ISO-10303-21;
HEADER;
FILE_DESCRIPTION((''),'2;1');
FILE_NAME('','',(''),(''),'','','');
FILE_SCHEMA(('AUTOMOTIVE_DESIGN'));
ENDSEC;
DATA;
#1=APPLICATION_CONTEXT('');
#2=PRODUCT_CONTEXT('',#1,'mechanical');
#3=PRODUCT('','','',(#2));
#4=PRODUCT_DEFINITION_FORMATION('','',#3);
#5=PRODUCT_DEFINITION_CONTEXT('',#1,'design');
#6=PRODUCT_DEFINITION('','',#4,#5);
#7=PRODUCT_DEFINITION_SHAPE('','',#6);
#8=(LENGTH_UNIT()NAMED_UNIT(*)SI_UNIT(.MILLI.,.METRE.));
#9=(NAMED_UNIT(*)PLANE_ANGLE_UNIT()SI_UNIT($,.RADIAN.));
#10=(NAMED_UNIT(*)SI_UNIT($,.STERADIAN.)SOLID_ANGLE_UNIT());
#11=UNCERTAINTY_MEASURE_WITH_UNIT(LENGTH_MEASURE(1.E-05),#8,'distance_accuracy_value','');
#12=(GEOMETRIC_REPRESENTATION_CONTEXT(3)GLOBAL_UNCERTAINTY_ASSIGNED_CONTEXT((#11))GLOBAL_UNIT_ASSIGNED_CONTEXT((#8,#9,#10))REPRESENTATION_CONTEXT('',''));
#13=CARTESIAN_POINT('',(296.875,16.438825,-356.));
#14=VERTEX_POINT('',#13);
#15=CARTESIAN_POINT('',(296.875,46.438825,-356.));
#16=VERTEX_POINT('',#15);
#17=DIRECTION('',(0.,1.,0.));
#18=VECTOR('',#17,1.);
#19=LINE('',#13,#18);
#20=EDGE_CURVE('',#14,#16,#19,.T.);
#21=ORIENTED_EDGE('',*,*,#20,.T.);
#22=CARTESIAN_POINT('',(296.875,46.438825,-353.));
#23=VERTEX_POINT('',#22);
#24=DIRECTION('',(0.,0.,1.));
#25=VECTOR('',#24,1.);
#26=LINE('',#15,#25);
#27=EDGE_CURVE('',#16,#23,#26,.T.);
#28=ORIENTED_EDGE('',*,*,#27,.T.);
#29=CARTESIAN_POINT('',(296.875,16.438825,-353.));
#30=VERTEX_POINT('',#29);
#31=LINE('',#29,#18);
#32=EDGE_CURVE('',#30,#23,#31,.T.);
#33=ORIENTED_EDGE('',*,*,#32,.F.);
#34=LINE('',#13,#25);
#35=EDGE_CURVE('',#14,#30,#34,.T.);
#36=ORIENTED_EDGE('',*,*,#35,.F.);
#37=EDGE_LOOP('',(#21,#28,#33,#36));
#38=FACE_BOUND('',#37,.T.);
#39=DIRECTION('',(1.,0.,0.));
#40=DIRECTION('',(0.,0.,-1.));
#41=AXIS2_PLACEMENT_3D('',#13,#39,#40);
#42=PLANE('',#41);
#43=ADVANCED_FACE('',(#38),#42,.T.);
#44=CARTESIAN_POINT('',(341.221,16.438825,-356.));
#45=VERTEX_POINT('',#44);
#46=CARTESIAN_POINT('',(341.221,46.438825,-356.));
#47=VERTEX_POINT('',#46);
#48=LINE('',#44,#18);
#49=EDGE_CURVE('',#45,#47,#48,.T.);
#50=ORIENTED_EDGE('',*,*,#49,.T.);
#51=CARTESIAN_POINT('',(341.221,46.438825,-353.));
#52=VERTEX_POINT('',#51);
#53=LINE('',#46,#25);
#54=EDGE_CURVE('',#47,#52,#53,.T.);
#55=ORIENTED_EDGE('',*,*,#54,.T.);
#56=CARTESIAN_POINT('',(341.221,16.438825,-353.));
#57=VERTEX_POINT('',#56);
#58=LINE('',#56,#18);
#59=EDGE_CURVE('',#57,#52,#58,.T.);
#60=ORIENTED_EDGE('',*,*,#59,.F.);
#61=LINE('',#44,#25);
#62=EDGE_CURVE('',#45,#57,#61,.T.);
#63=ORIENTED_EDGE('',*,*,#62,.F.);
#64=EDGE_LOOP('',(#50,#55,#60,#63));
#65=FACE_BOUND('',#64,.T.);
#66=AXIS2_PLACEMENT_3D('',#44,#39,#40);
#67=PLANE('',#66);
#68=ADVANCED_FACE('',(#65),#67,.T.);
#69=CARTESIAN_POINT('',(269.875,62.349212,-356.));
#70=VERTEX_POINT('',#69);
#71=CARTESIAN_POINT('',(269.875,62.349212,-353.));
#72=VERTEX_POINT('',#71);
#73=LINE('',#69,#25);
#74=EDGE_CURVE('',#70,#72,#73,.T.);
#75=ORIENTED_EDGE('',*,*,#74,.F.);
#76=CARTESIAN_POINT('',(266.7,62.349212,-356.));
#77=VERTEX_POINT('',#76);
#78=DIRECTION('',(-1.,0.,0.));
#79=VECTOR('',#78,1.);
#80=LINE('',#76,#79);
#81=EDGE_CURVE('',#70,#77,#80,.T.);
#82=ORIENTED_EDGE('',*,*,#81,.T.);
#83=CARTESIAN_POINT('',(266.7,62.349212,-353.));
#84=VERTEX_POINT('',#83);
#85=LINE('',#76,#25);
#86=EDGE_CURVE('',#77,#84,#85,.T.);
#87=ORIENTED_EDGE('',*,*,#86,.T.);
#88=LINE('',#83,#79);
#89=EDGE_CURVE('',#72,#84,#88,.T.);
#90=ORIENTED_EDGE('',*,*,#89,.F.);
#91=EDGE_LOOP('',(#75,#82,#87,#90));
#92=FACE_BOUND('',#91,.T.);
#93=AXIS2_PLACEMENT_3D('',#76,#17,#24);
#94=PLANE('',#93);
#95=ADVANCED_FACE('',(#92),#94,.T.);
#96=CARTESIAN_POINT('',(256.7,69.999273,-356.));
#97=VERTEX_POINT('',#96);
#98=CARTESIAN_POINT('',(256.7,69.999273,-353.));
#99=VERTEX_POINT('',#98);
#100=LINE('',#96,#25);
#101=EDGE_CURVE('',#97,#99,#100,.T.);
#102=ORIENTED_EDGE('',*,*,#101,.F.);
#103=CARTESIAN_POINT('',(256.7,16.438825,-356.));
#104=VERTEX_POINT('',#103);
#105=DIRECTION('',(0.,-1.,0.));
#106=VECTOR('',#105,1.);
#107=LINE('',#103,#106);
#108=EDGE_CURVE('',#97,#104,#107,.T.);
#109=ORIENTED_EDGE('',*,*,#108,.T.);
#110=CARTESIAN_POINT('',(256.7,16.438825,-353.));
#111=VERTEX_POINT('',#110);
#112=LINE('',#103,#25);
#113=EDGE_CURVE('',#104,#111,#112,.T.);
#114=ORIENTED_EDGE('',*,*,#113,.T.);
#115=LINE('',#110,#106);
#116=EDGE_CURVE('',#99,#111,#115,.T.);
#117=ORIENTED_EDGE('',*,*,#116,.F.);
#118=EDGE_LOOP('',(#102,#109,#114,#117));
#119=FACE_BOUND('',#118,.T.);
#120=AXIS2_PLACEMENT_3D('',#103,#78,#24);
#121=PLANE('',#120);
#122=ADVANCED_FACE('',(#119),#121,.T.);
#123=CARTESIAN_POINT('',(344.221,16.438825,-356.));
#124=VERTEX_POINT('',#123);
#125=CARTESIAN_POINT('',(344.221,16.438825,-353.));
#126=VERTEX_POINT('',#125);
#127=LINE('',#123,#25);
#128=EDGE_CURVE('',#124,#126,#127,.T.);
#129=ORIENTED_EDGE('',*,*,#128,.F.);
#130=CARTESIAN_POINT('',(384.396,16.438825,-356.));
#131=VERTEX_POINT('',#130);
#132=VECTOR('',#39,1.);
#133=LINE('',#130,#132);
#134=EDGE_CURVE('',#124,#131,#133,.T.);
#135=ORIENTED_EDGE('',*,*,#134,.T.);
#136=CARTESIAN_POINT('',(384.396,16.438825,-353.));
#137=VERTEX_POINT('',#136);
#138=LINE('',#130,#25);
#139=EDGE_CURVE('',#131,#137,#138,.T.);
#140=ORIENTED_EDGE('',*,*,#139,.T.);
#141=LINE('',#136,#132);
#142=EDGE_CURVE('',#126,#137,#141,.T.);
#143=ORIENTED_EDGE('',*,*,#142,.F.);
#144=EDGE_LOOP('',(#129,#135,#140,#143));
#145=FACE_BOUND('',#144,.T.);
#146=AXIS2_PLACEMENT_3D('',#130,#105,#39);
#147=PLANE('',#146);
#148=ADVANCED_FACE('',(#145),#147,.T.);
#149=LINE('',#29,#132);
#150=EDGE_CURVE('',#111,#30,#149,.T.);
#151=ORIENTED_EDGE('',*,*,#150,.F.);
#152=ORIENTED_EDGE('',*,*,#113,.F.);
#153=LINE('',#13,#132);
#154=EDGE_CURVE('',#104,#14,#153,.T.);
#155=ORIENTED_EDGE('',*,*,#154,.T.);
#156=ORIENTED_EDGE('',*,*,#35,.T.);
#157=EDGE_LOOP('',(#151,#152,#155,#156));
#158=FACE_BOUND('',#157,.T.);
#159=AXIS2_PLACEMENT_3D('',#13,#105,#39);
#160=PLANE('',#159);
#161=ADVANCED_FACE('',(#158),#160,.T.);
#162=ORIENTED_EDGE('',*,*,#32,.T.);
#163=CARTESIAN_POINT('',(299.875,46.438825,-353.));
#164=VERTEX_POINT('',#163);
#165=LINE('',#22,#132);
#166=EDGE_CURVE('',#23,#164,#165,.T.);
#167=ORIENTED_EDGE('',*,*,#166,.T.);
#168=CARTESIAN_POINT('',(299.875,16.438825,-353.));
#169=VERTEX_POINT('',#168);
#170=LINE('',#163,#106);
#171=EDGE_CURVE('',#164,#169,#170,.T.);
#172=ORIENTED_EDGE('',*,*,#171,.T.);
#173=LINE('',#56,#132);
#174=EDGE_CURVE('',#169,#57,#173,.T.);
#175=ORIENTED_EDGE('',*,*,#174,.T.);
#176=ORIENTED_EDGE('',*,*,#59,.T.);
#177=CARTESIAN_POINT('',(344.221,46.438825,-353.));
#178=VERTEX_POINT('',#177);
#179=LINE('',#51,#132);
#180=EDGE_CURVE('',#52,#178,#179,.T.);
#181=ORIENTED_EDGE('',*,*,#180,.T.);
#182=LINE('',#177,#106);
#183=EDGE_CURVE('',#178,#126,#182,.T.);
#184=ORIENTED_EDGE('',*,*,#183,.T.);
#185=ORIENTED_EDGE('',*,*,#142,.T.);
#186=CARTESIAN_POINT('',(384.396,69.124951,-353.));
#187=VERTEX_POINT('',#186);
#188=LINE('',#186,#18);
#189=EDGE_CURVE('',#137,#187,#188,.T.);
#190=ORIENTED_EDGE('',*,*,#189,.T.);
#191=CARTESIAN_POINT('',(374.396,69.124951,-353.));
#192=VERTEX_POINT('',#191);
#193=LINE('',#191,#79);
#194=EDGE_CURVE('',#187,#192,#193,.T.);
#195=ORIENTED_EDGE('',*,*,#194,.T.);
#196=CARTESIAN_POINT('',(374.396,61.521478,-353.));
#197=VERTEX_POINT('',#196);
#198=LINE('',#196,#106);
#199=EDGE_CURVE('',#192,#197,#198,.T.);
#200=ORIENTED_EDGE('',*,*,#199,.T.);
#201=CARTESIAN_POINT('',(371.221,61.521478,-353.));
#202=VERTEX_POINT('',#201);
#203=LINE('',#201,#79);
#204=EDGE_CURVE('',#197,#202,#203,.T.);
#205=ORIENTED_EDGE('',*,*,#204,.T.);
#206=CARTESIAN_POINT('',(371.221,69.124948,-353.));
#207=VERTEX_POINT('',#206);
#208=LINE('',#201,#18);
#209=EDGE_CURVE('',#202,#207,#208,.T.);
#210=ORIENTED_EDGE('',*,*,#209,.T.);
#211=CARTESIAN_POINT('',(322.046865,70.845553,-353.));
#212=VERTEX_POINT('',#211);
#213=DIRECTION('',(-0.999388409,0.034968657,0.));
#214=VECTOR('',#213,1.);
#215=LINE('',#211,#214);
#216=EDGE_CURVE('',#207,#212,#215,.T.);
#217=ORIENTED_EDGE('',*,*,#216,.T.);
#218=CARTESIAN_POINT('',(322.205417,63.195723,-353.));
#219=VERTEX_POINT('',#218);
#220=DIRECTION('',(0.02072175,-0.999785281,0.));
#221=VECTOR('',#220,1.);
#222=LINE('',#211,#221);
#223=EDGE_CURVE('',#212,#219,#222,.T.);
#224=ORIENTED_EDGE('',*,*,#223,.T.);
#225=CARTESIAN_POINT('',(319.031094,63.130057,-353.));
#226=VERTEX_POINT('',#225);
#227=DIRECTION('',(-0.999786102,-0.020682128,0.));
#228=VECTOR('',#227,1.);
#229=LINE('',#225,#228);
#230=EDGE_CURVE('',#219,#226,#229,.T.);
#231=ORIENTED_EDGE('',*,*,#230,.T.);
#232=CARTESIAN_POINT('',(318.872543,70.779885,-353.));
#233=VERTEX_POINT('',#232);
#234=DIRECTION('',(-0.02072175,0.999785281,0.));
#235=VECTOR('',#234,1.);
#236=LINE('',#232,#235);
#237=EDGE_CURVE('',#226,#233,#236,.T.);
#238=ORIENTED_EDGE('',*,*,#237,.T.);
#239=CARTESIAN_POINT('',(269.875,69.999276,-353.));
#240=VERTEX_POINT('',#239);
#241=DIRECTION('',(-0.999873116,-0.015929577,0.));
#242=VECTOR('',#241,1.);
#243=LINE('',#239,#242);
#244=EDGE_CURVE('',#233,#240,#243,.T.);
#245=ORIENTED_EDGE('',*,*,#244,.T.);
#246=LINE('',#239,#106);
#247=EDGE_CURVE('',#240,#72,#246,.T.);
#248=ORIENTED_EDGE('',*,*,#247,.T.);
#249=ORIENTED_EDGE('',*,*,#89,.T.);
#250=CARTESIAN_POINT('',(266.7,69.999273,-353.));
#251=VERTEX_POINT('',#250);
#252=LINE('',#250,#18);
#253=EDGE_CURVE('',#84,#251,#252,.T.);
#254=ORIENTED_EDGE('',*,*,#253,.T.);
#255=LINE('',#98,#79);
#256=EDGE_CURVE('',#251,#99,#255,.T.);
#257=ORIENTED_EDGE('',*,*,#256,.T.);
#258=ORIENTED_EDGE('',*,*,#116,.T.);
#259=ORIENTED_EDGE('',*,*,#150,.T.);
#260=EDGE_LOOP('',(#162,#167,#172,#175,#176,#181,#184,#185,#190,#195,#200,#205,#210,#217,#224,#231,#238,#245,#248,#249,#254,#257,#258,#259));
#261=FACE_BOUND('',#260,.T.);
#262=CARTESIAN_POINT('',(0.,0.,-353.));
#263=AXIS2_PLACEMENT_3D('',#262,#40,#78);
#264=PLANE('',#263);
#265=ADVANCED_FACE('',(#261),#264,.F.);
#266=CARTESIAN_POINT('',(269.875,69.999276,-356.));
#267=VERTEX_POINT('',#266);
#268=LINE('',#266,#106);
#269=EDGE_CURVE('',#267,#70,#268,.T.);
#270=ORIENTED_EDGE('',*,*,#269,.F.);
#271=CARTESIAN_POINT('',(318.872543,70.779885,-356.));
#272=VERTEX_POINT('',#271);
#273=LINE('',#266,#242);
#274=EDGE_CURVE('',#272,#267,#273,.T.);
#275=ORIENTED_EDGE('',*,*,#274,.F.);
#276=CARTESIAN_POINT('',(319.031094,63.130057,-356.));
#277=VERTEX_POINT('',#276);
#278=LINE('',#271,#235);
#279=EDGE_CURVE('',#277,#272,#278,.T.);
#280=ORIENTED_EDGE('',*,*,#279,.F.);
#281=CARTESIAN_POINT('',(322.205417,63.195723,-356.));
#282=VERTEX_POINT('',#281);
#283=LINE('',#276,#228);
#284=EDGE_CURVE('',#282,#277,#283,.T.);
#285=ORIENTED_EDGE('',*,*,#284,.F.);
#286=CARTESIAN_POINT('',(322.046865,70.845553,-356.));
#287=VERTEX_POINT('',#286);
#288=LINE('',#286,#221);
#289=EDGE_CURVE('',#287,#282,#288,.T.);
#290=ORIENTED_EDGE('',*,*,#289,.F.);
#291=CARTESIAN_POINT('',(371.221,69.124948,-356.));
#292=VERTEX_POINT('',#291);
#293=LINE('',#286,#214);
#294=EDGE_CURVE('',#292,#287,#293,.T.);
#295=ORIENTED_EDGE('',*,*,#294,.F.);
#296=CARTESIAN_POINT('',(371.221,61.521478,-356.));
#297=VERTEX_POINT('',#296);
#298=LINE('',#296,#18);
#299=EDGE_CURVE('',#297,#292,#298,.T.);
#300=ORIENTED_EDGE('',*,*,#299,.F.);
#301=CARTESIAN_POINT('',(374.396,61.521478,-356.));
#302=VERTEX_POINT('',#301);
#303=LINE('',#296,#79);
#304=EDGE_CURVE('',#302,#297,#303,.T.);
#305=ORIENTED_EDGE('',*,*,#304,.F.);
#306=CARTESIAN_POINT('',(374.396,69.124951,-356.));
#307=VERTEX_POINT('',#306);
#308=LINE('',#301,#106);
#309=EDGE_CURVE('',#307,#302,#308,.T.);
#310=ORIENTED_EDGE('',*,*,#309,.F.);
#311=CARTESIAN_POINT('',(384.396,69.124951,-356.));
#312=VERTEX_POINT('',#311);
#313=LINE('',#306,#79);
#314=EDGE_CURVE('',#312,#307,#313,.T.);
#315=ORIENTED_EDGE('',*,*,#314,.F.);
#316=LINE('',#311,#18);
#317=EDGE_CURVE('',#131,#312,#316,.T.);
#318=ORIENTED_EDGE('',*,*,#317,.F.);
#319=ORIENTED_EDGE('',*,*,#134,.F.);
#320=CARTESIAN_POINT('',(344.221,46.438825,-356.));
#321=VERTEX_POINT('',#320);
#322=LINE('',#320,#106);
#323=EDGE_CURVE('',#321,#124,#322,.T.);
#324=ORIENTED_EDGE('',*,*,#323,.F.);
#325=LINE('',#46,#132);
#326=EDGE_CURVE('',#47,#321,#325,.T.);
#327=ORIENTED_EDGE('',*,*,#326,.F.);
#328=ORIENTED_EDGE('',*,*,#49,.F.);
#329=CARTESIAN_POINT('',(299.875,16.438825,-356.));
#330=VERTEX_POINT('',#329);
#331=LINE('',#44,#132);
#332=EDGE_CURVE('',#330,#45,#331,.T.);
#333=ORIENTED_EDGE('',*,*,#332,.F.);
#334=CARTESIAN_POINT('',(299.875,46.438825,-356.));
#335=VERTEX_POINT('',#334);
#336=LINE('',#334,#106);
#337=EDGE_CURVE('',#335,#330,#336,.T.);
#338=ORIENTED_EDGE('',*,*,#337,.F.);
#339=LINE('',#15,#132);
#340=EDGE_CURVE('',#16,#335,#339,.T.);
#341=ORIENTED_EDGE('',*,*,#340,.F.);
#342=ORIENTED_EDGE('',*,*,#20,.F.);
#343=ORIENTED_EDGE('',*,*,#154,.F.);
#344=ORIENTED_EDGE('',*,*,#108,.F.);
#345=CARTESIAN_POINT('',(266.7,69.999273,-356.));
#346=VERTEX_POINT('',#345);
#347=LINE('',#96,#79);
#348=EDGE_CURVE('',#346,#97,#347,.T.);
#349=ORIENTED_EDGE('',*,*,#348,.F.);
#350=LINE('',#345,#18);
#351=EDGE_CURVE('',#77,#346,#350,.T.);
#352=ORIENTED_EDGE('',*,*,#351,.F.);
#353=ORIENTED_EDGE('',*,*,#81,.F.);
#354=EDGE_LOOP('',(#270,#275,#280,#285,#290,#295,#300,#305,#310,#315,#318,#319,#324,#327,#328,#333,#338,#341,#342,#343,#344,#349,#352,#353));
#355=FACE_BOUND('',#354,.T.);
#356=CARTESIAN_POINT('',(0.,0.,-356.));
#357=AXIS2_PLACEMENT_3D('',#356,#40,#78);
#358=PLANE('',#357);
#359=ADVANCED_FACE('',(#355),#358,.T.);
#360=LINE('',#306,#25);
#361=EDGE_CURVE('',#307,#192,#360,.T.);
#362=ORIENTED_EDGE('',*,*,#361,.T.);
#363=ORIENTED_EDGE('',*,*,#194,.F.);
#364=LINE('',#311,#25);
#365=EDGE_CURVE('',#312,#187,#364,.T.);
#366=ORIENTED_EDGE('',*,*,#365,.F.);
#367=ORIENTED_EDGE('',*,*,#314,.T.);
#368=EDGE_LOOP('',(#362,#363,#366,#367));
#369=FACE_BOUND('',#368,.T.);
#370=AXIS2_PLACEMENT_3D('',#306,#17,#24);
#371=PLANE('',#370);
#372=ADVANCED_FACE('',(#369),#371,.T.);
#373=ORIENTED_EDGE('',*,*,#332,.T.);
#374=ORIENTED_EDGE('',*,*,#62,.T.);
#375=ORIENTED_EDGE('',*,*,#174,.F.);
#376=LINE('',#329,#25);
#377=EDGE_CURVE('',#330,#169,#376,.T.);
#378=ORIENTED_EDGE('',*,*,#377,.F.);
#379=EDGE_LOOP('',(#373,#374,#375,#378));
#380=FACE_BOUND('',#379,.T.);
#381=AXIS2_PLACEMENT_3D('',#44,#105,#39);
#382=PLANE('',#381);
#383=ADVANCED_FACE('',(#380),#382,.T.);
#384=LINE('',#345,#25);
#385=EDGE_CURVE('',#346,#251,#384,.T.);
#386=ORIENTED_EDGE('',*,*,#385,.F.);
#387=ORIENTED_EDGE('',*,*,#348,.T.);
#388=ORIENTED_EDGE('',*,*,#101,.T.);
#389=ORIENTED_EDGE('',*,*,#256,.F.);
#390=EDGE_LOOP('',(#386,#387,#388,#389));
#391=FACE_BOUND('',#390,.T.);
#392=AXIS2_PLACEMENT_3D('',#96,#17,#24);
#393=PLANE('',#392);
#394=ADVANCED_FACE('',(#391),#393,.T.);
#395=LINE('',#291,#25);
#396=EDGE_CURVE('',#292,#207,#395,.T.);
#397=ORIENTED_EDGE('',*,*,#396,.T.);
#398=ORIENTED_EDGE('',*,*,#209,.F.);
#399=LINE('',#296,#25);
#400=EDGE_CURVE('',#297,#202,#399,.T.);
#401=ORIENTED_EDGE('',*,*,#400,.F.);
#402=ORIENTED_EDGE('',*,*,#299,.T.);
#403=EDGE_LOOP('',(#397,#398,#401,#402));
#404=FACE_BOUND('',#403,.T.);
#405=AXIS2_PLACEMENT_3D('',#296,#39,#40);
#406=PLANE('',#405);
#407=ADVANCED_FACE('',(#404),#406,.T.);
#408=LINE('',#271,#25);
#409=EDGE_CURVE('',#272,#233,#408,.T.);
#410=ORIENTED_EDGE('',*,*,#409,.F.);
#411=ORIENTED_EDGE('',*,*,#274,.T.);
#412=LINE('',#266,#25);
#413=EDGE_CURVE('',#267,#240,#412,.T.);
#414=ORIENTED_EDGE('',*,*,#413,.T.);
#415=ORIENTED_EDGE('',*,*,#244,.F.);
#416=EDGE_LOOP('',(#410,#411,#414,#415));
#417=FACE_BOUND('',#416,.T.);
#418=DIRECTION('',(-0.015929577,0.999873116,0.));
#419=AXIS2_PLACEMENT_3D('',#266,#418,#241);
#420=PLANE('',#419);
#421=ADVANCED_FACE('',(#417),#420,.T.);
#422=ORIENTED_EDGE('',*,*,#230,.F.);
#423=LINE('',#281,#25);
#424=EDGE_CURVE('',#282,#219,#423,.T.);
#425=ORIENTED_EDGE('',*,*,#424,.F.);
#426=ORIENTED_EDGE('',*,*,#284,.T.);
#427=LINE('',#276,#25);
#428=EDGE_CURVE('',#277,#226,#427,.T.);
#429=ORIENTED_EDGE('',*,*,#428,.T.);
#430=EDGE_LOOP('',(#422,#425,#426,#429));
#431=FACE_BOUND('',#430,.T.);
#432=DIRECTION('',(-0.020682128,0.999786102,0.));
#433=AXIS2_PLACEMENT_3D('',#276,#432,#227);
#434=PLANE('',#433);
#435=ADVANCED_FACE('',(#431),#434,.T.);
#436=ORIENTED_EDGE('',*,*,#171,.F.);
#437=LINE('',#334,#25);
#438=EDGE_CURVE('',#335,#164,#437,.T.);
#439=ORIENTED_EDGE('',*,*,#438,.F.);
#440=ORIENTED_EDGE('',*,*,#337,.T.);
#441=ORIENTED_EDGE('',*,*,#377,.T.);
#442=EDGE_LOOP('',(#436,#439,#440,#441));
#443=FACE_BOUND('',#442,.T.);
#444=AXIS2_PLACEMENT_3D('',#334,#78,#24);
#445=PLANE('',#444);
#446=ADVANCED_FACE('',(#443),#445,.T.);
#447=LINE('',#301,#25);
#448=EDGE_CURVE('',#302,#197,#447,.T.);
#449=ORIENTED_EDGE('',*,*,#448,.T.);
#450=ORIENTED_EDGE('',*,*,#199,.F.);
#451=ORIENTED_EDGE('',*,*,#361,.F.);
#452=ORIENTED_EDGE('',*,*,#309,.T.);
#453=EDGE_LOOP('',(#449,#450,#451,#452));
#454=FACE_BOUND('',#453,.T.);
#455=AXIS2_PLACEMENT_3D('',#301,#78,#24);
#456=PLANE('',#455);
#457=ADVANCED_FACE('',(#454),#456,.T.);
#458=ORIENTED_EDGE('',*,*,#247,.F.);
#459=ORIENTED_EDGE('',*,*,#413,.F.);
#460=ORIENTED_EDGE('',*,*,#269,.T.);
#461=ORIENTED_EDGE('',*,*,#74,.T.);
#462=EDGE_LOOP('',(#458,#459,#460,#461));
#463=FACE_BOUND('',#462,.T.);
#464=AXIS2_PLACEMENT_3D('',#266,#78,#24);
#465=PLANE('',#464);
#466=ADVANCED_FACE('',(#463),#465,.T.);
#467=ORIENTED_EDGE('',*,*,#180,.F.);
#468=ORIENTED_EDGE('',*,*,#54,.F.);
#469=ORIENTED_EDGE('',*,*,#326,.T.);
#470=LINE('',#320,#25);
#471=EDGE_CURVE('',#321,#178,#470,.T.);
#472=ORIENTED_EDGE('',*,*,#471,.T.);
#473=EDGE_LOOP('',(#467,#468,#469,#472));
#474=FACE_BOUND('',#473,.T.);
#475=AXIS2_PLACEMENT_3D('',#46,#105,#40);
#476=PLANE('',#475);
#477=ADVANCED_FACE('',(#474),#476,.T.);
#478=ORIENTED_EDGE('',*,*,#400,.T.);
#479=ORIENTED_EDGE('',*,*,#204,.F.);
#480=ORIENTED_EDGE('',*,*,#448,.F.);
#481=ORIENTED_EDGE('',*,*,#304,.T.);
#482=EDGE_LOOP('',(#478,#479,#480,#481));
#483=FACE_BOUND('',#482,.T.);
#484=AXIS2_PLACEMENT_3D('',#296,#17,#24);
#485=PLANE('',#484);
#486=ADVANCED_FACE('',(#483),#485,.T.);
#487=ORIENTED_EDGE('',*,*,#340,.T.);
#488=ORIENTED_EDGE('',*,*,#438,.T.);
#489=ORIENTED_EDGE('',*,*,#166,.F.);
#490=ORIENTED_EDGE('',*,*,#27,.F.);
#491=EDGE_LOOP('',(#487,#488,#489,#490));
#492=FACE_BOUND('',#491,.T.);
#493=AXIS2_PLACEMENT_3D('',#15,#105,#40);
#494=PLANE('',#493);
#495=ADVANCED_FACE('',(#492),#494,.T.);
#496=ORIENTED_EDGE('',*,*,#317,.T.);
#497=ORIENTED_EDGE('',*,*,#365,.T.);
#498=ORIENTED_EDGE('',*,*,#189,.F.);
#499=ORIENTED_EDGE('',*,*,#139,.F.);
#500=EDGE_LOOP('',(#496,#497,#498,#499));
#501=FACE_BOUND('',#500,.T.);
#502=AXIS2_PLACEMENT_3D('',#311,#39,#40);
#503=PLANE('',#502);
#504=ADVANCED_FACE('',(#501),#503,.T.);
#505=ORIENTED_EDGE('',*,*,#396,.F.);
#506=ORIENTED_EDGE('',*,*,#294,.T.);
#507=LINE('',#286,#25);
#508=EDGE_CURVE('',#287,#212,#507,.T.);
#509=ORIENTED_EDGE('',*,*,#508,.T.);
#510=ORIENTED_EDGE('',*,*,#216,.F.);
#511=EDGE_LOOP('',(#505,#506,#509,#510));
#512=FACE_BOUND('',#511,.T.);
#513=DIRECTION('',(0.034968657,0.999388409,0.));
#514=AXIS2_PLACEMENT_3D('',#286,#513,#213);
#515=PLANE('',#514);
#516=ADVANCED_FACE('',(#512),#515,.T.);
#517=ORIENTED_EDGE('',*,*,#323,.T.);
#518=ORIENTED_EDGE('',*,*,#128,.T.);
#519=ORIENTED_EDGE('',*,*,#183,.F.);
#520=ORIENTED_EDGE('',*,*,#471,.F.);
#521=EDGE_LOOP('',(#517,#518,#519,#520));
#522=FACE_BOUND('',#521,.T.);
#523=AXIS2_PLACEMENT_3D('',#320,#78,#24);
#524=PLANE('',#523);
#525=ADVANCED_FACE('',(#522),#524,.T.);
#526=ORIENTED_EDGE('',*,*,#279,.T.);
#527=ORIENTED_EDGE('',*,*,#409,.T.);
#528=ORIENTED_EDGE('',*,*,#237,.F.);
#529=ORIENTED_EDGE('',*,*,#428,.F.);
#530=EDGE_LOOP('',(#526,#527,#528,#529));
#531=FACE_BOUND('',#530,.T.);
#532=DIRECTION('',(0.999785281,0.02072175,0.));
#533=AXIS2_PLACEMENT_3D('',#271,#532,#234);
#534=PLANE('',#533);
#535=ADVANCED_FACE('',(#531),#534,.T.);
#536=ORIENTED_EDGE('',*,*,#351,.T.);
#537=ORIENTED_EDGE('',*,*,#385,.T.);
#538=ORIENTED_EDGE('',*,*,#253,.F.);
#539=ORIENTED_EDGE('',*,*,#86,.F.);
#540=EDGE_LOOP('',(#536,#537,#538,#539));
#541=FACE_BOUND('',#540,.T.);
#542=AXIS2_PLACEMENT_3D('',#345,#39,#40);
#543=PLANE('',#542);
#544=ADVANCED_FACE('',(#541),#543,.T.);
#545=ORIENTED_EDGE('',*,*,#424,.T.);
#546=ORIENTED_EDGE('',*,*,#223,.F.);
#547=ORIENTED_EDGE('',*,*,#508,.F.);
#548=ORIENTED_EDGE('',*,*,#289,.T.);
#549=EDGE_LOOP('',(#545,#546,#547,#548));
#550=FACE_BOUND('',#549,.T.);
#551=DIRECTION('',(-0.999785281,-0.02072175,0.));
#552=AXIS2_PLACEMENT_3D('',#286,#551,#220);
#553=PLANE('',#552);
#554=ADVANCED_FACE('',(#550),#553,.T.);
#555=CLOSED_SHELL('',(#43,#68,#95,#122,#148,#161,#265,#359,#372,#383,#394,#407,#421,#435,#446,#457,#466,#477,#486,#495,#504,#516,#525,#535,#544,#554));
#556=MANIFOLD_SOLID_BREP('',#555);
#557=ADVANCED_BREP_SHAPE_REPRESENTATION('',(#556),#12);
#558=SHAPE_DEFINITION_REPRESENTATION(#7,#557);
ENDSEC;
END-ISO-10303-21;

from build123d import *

# Parameters (mm, degrees)
BOSS_EXTRUDE1_DEPTH = 3


with BuildPart() as part:
    # Sketch2 → Boss-Extrude1 (new body)
    with BuildSketch(Plane.XY.offset(-353)):
        Polygon((371.221, 61.521478107), (374.396, 61.521478107), (374.396, 69.124950745), (384.396, 69.124950745), (384.396, 16.438825445), (344.221, 16.438825445), (344.221, 46.438825445), (341.221, 46.438825445), (341.221, 16.438825445), (299.875, 16.438825445), (299.875, 46.438825445), (296.875, 46.438825445), (296.875, 16.438825445), (256.7, 16.438825445), (256.7, 69.999273471), (266.7, 69.999273471), (266.7, 62.349211745), (269.875, 62.349211745), (269.875, 69.999275879), (318.872542602, 70.779885056), (319.031094476, 63.13005689), (322.205416715, 63.195722676), (322.046864787, 70.845553451), (371.221, 69.124947668), align=None)
    extrude(amount=-BOSS_EXTRUDE1_DEPTH)


solid = part.part
